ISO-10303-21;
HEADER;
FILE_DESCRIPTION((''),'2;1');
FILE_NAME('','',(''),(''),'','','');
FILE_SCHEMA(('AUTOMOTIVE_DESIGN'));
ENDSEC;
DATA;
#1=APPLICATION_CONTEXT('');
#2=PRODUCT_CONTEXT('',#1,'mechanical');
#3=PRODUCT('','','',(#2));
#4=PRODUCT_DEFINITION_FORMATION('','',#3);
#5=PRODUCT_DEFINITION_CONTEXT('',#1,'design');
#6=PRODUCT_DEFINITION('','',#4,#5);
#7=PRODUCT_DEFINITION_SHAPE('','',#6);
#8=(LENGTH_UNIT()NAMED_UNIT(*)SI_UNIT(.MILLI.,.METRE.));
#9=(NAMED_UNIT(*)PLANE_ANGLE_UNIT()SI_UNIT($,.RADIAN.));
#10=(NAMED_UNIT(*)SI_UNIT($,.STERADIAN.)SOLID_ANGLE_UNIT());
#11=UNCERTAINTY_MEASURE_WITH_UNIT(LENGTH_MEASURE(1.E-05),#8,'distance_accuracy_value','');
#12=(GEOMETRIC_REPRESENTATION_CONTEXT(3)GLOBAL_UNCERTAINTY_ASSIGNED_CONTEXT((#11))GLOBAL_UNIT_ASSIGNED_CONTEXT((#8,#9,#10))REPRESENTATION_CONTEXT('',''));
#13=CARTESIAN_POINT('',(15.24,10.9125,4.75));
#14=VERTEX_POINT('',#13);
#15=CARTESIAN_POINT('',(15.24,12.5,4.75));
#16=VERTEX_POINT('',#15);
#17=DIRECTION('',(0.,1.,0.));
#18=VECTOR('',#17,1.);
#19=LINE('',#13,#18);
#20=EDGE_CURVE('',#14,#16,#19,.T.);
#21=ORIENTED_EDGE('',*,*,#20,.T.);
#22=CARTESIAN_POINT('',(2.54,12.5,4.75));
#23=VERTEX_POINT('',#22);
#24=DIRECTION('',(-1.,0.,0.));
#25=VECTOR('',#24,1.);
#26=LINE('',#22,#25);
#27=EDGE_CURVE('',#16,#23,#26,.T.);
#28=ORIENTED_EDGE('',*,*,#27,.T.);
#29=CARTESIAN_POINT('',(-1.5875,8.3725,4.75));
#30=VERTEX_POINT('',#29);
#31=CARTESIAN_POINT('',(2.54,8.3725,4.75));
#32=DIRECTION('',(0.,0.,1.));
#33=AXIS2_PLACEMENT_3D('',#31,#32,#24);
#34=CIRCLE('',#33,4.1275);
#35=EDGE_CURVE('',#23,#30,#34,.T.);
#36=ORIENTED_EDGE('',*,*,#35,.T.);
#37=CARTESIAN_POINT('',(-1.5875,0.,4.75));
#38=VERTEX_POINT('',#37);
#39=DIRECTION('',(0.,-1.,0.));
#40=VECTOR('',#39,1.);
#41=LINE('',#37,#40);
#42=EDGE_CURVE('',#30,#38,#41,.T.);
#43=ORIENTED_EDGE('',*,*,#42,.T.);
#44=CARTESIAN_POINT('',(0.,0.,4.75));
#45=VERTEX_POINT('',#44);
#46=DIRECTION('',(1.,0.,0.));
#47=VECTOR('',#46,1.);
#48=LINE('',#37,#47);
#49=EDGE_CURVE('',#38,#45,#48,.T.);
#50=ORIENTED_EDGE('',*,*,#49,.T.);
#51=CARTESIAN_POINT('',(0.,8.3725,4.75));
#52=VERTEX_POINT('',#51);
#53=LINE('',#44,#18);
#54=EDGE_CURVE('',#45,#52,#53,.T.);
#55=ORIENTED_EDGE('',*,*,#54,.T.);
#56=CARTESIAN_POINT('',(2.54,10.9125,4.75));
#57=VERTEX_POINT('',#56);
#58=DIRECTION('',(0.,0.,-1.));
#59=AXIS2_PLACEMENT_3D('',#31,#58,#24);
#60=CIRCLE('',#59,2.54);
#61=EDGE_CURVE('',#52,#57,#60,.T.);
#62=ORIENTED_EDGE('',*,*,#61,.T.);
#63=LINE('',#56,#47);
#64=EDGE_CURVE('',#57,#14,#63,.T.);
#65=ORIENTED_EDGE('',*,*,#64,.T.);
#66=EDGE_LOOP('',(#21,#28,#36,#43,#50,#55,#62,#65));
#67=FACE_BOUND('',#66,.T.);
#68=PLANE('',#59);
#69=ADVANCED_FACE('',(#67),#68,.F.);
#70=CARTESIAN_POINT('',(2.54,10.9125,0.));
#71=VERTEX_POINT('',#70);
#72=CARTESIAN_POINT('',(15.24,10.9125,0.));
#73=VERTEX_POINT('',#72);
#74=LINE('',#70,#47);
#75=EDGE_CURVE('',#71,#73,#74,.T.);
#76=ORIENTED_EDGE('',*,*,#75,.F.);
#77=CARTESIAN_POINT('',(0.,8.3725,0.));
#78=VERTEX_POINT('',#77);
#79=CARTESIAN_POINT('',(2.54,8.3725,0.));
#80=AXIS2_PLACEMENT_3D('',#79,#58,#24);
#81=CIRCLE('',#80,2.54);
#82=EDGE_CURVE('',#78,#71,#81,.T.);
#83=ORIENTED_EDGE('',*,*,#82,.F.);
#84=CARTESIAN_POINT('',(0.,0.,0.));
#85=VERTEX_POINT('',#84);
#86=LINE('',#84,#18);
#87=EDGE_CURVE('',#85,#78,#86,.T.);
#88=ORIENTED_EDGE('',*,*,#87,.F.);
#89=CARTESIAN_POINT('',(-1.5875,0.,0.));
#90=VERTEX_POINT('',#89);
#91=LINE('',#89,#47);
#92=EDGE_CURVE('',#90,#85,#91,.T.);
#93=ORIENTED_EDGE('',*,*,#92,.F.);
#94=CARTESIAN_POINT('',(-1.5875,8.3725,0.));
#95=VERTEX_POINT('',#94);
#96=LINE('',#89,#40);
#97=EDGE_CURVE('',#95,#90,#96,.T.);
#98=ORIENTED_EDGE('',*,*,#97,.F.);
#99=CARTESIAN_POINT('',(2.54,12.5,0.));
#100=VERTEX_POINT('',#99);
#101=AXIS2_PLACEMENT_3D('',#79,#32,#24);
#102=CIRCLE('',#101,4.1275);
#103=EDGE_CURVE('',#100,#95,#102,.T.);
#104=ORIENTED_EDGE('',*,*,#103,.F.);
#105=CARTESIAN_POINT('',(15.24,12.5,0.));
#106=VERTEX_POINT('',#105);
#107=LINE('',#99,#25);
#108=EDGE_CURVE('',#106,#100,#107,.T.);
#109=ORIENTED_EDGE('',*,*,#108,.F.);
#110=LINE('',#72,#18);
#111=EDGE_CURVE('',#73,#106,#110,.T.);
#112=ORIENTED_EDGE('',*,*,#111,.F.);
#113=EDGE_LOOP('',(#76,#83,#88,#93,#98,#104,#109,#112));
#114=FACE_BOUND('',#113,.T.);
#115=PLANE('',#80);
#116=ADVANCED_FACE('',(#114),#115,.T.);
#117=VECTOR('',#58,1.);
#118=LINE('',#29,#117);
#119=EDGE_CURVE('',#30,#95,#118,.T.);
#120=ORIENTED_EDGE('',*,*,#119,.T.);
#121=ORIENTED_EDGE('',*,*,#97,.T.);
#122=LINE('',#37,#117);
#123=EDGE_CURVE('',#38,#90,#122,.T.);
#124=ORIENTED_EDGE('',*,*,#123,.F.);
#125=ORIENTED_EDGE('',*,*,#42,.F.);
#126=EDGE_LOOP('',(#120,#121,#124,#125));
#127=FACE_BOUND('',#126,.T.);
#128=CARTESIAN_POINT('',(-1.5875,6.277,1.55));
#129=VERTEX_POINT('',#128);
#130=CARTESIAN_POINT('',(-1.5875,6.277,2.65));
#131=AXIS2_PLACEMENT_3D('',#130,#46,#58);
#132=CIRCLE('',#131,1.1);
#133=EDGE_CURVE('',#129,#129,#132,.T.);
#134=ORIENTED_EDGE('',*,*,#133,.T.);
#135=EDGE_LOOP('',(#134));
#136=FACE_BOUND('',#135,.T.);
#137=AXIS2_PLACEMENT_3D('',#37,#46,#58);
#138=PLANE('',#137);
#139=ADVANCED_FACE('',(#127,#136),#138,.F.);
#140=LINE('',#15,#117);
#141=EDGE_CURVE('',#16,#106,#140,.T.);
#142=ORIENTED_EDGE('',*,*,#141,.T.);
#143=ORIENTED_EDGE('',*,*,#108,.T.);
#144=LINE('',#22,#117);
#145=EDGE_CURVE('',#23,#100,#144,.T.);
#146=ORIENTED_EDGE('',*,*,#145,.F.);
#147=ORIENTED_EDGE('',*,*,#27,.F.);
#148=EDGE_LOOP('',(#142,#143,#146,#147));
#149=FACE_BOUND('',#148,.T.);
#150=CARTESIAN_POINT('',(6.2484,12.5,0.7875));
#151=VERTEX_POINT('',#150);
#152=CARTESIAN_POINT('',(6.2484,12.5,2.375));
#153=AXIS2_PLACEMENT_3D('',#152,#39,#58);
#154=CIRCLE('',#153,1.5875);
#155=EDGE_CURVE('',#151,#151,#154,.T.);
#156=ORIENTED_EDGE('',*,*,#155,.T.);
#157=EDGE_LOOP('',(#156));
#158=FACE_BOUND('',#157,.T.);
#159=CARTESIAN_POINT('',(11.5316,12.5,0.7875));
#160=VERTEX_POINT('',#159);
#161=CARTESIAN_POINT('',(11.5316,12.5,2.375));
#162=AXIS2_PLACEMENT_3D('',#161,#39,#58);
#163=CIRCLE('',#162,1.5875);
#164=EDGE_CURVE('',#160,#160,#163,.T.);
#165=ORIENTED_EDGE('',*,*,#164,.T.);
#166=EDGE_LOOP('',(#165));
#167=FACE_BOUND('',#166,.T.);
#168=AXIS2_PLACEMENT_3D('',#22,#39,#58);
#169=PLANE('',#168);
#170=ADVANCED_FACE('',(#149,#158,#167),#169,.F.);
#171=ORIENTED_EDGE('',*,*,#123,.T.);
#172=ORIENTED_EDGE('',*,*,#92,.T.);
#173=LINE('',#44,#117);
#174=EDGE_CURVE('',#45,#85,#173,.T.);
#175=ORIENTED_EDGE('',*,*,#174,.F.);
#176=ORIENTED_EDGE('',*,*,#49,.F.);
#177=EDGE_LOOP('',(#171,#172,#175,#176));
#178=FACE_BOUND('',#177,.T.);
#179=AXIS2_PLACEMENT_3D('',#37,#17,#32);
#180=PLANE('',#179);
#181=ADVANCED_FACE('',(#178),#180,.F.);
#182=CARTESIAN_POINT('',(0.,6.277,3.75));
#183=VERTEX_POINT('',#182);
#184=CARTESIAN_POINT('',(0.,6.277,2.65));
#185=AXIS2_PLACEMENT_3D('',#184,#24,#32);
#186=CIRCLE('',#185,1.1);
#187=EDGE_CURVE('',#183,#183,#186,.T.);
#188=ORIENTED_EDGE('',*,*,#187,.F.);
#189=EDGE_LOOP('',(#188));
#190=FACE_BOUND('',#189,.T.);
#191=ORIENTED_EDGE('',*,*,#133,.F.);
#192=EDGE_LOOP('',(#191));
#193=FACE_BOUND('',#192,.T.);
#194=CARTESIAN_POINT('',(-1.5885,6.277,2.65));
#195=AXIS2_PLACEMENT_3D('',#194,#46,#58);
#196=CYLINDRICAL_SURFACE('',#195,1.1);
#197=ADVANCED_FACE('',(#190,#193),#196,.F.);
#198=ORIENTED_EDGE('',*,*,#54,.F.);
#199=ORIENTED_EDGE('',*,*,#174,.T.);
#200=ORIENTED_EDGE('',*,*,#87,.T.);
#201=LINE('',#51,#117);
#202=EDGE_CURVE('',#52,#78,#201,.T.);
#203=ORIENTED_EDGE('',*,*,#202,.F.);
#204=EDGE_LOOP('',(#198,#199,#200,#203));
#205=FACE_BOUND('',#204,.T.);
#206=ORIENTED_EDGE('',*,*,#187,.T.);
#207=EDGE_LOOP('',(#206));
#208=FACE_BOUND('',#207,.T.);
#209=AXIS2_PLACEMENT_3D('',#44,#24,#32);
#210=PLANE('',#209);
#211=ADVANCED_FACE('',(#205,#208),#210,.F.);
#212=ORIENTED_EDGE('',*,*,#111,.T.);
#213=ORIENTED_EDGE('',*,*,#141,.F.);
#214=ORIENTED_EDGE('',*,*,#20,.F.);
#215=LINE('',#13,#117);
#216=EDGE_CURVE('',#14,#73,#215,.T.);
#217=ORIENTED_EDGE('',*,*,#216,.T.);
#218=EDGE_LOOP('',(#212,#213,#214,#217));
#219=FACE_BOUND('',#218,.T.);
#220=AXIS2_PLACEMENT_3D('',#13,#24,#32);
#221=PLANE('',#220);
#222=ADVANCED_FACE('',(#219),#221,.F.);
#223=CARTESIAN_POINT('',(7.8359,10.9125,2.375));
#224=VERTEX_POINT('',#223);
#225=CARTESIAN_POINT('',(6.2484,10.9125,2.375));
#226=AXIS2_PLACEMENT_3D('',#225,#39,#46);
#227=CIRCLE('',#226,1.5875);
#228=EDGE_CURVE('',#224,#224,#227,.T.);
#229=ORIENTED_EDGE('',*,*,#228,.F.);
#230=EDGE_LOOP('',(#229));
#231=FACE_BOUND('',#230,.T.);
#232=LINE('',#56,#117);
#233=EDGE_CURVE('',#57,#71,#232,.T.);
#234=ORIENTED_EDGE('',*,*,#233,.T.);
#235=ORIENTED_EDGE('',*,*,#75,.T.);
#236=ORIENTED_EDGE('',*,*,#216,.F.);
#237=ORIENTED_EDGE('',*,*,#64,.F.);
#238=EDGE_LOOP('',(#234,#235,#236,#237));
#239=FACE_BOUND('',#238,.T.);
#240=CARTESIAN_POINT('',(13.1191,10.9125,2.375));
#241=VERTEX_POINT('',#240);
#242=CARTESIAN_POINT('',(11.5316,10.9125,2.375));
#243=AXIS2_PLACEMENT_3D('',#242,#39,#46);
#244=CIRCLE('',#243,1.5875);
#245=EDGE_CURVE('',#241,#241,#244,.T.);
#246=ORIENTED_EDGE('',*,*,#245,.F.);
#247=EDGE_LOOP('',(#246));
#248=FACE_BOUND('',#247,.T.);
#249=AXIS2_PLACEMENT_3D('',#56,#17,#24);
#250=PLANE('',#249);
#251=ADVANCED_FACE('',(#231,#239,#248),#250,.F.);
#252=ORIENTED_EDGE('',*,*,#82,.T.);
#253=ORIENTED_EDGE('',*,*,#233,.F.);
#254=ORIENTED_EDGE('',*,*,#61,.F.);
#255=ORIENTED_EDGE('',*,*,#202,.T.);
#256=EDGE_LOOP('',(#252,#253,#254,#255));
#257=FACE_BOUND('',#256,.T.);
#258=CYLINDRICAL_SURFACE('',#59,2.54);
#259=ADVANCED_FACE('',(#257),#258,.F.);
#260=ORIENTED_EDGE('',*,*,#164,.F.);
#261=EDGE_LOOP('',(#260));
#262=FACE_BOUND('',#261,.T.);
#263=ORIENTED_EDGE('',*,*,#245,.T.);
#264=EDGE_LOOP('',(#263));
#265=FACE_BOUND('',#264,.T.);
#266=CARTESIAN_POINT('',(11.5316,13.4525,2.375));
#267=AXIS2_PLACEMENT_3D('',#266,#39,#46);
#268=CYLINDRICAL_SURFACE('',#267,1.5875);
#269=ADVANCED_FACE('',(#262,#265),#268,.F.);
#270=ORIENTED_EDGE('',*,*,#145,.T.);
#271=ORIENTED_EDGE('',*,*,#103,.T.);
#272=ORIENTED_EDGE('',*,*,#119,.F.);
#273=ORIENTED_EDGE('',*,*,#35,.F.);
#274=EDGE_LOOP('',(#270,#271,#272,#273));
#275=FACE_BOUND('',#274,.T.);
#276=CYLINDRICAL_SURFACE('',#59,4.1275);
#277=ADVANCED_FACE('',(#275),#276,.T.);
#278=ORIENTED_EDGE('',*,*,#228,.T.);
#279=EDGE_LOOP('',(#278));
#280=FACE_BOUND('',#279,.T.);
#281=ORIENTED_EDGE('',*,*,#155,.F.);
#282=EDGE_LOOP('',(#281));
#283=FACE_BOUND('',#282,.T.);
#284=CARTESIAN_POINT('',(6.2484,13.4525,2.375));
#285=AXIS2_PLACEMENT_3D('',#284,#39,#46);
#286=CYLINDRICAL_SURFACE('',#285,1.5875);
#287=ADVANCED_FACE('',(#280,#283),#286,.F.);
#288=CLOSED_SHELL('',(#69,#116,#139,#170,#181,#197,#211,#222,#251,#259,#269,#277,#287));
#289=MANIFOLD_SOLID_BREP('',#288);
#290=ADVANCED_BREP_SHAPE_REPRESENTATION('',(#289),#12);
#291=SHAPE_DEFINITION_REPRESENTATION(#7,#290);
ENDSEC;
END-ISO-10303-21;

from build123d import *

# Parameters (mm, degrees)
BOSS_EXTRUDE1_DEPTH = 4.75
SKETCH2_R           = 1.1
CUT_EXTRUDE1_DEPTH  = 1.5875
CUT_EXTRUDE2_DEPTH  = 2.54


with BuildPart() as part:
    # Sketch1 → Boss-Extrude1 (new body)
    with BuildSketch(Plane.XY):
        with BuildLine():
            Line((0, 0), (0, 8.3725))
            ThreePointArc((0, 8.3725), (0.743948776, 10.168551224), (2.54, 10.9125))
            Line((2.54, 10.9125), (15.24, 10.9125))
            Line((15.24, 10.9125), (15.24, 12.5))
            Line((15.24, 12.5), (2.54, 12.5))
            ThreePointArc((2.54, 12.5), (-0.378583239, 11.291083239), (-1.5875, 8.3725))
            Line((-1.5875, 8.3725), (-1.5875, 0))
            Line((-1.5875, 0), (0, 0))
        make_face()
    extrude(amount=BOSS_EXTRUDE1_DEPTH)

    # Sketch2 → Cut-Extrude1 (cut)
    with BuildSketch(Plane(origin=(0, 0, 0), x_dir=(0, 0, -1), z_dir=(1, 0, 0))):
        with Locations((-2.65, 6.277)):
            Circle(SKETCH2_R)
    extrude(amount=-CUT_EXTRUDE1_DEPTH, mode=Mode.SUBTRACT)

    # Sketch3 → Cut-Extrude2 (cut)
    with BuildSketch(Plane.XZ.offset(-10.9125)):
        with BuildLine():
            ThreePointArc((4.6609, 2.375), (6.2484, 0.7875), (7.8359, 2.375))
            Line((7.8359, 2.375), (4.6609, 2.375))
        make_face()
        with BuildLine():
            Line((4.6609, 2.375), (7.8359, 2.375))
            ThreePointArc((7.8359, 2.375), (6.2484, 3.9625), (4.6609, 2.375))
        make_face()
        with BuildLine():
            ThreePointArc((9.9441, 2.375), (11.5316, 0.7875), (13.1191, 2.375))
            Line((13.1191, 2.375), (9.9441, 2.375))
        make_face()
        with BuildLine():
            Line((9.9441, 2.375), (13.1191, 2.375))
            ThreePointArc((13.1191, 2.375), (11.5316, 3.9625), (9.9441, 2.375))
        make_face()
    extrude(amount=-CUT_EXTRUDE2_DEPTH, mode=Mode.SUBTRACT)


solid = part.part
